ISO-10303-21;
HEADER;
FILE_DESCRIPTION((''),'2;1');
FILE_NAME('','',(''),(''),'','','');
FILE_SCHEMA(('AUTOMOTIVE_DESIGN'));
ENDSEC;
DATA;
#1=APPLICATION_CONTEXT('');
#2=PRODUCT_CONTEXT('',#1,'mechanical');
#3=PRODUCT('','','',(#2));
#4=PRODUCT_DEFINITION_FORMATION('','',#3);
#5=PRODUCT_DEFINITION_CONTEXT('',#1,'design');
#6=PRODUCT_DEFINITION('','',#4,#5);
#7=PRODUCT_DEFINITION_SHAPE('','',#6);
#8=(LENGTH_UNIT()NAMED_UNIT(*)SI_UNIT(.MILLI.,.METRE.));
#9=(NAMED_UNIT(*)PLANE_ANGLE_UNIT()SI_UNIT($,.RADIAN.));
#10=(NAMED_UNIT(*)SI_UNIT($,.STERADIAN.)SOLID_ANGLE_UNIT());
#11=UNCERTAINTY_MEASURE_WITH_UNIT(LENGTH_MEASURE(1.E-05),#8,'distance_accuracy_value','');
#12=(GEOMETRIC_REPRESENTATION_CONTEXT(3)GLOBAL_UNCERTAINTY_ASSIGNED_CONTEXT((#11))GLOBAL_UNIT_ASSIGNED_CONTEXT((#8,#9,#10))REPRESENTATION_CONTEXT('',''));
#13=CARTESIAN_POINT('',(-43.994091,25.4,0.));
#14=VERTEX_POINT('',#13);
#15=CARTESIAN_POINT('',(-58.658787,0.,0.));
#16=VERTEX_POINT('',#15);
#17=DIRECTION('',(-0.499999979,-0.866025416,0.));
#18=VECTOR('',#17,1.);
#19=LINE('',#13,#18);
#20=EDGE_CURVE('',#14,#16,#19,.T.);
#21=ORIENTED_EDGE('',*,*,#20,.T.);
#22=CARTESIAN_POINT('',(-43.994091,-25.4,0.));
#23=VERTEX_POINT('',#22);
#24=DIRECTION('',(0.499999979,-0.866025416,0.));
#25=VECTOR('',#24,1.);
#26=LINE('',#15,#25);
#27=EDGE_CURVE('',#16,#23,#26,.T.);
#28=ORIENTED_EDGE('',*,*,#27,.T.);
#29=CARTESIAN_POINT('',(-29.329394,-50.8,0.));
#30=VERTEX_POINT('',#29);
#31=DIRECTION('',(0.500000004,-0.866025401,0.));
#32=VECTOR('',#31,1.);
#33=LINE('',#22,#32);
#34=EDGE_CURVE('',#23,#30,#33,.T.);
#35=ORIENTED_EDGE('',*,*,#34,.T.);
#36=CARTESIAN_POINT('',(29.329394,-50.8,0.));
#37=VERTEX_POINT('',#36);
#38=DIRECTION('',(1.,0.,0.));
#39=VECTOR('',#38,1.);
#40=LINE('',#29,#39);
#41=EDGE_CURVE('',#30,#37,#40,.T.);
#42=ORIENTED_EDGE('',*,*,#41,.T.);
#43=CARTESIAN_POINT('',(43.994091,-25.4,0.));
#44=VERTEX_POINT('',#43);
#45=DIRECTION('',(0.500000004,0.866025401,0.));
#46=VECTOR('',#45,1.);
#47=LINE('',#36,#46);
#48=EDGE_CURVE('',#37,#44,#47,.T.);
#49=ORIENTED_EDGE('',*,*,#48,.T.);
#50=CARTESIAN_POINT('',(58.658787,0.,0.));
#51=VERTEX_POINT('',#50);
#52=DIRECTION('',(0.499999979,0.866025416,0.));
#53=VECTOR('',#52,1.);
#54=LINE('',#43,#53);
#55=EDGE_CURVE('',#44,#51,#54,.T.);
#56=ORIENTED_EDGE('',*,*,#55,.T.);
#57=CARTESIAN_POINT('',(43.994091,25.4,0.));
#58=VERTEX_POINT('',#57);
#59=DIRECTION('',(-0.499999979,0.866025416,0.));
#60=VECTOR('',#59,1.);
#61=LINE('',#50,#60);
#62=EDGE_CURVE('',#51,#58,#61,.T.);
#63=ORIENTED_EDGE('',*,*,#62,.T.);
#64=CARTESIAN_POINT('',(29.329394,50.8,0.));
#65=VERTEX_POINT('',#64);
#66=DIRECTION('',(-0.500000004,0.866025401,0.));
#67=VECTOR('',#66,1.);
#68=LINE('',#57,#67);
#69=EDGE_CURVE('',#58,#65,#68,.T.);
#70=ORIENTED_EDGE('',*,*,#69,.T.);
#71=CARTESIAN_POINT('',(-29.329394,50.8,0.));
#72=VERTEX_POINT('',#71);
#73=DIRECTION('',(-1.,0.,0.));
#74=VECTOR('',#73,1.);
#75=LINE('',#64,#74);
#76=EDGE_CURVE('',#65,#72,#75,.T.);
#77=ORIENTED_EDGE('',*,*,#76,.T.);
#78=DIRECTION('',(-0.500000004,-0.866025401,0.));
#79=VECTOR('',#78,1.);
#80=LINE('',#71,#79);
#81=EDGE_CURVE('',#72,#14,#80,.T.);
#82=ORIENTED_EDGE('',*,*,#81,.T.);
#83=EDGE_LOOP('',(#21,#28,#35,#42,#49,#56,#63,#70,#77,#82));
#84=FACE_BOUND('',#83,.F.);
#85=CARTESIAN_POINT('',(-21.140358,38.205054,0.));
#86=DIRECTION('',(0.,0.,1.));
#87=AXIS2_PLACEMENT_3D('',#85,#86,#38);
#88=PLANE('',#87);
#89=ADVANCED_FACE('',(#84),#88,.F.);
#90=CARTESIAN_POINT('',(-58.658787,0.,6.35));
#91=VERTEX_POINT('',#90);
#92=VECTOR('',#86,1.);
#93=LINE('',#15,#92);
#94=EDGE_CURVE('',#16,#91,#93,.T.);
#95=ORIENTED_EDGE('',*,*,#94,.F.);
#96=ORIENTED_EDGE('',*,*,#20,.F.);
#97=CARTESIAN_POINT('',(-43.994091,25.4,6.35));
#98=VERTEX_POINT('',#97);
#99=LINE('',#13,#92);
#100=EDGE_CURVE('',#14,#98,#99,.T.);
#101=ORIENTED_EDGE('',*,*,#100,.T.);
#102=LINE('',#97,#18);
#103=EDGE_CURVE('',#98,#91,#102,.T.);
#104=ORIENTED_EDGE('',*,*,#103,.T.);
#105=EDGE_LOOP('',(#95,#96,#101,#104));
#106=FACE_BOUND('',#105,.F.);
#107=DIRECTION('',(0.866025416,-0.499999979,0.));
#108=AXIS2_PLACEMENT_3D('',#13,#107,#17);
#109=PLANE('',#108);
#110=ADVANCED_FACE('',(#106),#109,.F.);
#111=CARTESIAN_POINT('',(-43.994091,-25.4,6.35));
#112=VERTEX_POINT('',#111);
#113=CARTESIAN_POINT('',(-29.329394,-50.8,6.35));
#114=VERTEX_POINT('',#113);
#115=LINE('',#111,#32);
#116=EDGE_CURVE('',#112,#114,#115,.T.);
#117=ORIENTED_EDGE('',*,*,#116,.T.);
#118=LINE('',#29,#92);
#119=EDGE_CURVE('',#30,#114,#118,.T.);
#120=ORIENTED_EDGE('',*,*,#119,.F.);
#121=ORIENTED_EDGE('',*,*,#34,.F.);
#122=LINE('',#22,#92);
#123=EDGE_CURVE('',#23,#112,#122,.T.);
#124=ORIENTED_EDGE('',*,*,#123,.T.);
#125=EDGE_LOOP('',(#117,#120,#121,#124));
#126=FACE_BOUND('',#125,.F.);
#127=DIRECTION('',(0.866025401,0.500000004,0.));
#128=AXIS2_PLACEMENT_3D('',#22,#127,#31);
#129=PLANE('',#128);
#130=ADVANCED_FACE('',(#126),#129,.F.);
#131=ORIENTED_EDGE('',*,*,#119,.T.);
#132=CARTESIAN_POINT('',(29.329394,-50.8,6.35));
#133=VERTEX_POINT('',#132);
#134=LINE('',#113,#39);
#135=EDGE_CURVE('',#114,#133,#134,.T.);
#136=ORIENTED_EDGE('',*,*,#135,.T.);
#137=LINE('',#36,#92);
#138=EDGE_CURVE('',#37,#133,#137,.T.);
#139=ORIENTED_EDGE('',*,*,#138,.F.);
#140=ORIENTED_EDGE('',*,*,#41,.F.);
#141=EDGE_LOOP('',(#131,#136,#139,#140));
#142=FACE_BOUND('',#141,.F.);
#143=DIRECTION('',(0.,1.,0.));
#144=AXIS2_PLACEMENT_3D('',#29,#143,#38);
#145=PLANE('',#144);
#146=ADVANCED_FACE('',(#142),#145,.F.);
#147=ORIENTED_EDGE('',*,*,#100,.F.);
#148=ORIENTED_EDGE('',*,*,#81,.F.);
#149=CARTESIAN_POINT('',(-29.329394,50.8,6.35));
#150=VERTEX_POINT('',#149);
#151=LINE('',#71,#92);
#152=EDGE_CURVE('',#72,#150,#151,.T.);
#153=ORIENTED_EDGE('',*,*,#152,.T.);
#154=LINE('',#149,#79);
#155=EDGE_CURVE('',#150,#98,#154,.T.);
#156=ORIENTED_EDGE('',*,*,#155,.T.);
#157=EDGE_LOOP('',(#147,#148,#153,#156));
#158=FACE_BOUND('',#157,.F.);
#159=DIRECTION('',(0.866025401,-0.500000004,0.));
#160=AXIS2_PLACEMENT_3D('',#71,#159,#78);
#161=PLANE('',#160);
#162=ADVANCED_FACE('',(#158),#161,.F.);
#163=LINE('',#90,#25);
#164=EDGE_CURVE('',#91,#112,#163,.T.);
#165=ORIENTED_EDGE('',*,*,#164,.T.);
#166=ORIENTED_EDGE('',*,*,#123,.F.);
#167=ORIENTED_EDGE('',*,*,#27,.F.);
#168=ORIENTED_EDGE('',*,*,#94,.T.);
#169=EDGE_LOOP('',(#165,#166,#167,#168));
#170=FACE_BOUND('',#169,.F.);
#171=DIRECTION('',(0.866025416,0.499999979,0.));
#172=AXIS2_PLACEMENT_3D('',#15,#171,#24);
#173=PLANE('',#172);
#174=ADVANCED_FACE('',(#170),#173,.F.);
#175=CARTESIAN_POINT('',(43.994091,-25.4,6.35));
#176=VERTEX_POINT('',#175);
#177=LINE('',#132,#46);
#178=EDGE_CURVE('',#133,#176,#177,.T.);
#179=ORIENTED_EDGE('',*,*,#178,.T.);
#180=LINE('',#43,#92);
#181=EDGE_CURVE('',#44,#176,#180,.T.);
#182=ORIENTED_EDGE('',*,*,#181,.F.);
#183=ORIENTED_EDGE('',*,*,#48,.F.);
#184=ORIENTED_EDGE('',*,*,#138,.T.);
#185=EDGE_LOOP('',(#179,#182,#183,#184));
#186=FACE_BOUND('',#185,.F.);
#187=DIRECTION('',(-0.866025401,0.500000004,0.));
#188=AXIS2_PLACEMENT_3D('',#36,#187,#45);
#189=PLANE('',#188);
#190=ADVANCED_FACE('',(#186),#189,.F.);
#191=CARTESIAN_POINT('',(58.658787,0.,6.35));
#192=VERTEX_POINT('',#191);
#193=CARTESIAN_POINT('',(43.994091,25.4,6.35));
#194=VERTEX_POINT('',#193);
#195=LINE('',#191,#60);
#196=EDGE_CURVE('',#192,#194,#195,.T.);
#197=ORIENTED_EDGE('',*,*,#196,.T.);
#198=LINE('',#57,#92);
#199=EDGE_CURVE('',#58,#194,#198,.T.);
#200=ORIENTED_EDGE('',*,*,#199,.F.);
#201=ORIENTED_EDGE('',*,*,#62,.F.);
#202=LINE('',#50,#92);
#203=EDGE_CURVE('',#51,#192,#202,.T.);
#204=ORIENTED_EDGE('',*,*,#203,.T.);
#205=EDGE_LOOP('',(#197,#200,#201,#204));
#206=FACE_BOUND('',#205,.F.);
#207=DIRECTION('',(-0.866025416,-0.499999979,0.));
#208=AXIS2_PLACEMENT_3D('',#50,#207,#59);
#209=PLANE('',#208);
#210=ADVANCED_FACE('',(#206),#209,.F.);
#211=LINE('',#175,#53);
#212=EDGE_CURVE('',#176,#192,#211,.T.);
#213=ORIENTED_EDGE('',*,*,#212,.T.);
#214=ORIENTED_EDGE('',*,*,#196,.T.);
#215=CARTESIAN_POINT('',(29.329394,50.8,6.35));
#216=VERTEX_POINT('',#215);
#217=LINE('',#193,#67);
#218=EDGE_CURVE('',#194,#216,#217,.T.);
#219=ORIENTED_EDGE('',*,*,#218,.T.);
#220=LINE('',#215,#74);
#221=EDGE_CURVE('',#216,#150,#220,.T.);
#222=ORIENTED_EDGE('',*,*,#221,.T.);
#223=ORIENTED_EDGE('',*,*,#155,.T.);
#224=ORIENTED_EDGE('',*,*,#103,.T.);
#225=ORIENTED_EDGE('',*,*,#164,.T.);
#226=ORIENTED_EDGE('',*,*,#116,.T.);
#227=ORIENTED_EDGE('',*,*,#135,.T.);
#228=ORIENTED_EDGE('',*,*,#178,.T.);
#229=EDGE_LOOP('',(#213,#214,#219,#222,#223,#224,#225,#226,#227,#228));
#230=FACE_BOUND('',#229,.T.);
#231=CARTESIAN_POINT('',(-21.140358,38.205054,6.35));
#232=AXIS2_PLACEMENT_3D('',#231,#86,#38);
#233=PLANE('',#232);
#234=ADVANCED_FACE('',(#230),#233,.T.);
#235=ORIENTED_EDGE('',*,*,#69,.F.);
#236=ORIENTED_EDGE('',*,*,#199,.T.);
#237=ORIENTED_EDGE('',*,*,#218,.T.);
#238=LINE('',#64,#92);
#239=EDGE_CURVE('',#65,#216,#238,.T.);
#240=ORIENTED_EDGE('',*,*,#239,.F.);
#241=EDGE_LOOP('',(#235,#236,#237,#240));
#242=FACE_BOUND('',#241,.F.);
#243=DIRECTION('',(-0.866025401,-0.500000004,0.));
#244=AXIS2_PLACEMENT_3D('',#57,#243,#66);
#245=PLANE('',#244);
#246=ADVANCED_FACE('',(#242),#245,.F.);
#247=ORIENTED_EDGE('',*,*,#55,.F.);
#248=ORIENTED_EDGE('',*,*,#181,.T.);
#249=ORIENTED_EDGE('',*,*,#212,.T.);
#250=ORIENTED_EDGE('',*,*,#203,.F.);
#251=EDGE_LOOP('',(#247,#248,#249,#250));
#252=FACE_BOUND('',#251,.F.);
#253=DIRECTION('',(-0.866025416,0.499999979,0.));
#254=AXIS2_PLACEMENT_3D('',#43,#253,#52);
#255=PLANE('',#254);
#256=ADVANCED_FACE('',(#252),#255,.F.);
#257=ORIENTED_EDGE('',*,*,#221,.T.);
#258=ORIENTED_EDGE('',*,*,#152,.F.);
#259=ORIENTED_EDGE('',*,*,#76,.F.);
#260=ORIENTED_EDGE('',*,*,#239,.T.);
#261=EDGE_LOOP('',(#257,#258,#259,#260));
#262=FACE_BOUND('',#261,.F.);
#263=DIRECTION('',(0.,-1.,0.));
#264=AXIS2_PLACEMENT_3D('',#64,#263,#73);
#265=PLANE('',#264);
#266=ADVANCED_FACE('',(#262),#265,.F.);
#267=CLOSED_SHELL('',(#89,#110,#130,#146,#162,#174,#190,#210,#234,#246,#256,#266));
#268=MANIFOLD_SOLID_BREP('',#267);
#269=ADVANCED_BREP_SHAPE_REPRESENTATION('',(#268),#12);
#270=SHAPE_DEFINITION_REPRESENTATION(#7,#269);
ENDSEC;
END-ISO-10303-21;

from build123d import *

# Parameters (mm, degrees)
F1_DEPTH = 6.35


with BuildPart() as f1:
    # F0 (on Top) → F1 (new body)
    with BuildSketch(Plane.XY):
        Polygon((0, 50.8), (-29.329394, 50.8), (-43.994091, 25.4), (-21.997045, 25.4), (0, 38.1), align=None)
        Polygon((29.329394, 50.8), (0, 50.8), (0, 38.1), (21.997045, 25.4), (43.994091, 25.4), align=None)
        Polygon((58.658787, 0), (43.994091, 25.4), (43.994091, 0), (43.994091, -25.4), align=None)
        Polygon((-43.994091, -25.4), (-29.329394, -50.8), (29.329394, -50.8), (43.994091, -25.4), (21.997045, -25.4), (0, -38.1), (-21.997045, -25.4), align=None)
        Polygon((-43.994091, 0), (-43.994091, 25.4), (-58.658787, 0), (-43.994091, -25.4), align=None)
        Polygon((43.994091, 0), (-43.994091, 0), (-43.994091, -25.4), (-21.997045, -25.4), (21.997045, -25.4), (43.994091, -25.4), align=None)
        Polygon((21.997045, -25.4), (-21.997045, -25.4), (0, -38.1), align=None)
        Polygon((0, 25.4), (0, 38.1), (-21.997045, 25.4), align=None)
        Polygon((-21.997045, 25.4), (-43.994091, 25.4), (-43.994091, 0), (43.994091, 0), (43.994091, 25.4), (21.997045, 25.4), (0, 25.4), align=None)
        Polygon((21.997045, 25.4), (0, 38.1), (0, 25.4), align=None)
    extrude(amount=F1_DEPTH)


solid = f1.part
